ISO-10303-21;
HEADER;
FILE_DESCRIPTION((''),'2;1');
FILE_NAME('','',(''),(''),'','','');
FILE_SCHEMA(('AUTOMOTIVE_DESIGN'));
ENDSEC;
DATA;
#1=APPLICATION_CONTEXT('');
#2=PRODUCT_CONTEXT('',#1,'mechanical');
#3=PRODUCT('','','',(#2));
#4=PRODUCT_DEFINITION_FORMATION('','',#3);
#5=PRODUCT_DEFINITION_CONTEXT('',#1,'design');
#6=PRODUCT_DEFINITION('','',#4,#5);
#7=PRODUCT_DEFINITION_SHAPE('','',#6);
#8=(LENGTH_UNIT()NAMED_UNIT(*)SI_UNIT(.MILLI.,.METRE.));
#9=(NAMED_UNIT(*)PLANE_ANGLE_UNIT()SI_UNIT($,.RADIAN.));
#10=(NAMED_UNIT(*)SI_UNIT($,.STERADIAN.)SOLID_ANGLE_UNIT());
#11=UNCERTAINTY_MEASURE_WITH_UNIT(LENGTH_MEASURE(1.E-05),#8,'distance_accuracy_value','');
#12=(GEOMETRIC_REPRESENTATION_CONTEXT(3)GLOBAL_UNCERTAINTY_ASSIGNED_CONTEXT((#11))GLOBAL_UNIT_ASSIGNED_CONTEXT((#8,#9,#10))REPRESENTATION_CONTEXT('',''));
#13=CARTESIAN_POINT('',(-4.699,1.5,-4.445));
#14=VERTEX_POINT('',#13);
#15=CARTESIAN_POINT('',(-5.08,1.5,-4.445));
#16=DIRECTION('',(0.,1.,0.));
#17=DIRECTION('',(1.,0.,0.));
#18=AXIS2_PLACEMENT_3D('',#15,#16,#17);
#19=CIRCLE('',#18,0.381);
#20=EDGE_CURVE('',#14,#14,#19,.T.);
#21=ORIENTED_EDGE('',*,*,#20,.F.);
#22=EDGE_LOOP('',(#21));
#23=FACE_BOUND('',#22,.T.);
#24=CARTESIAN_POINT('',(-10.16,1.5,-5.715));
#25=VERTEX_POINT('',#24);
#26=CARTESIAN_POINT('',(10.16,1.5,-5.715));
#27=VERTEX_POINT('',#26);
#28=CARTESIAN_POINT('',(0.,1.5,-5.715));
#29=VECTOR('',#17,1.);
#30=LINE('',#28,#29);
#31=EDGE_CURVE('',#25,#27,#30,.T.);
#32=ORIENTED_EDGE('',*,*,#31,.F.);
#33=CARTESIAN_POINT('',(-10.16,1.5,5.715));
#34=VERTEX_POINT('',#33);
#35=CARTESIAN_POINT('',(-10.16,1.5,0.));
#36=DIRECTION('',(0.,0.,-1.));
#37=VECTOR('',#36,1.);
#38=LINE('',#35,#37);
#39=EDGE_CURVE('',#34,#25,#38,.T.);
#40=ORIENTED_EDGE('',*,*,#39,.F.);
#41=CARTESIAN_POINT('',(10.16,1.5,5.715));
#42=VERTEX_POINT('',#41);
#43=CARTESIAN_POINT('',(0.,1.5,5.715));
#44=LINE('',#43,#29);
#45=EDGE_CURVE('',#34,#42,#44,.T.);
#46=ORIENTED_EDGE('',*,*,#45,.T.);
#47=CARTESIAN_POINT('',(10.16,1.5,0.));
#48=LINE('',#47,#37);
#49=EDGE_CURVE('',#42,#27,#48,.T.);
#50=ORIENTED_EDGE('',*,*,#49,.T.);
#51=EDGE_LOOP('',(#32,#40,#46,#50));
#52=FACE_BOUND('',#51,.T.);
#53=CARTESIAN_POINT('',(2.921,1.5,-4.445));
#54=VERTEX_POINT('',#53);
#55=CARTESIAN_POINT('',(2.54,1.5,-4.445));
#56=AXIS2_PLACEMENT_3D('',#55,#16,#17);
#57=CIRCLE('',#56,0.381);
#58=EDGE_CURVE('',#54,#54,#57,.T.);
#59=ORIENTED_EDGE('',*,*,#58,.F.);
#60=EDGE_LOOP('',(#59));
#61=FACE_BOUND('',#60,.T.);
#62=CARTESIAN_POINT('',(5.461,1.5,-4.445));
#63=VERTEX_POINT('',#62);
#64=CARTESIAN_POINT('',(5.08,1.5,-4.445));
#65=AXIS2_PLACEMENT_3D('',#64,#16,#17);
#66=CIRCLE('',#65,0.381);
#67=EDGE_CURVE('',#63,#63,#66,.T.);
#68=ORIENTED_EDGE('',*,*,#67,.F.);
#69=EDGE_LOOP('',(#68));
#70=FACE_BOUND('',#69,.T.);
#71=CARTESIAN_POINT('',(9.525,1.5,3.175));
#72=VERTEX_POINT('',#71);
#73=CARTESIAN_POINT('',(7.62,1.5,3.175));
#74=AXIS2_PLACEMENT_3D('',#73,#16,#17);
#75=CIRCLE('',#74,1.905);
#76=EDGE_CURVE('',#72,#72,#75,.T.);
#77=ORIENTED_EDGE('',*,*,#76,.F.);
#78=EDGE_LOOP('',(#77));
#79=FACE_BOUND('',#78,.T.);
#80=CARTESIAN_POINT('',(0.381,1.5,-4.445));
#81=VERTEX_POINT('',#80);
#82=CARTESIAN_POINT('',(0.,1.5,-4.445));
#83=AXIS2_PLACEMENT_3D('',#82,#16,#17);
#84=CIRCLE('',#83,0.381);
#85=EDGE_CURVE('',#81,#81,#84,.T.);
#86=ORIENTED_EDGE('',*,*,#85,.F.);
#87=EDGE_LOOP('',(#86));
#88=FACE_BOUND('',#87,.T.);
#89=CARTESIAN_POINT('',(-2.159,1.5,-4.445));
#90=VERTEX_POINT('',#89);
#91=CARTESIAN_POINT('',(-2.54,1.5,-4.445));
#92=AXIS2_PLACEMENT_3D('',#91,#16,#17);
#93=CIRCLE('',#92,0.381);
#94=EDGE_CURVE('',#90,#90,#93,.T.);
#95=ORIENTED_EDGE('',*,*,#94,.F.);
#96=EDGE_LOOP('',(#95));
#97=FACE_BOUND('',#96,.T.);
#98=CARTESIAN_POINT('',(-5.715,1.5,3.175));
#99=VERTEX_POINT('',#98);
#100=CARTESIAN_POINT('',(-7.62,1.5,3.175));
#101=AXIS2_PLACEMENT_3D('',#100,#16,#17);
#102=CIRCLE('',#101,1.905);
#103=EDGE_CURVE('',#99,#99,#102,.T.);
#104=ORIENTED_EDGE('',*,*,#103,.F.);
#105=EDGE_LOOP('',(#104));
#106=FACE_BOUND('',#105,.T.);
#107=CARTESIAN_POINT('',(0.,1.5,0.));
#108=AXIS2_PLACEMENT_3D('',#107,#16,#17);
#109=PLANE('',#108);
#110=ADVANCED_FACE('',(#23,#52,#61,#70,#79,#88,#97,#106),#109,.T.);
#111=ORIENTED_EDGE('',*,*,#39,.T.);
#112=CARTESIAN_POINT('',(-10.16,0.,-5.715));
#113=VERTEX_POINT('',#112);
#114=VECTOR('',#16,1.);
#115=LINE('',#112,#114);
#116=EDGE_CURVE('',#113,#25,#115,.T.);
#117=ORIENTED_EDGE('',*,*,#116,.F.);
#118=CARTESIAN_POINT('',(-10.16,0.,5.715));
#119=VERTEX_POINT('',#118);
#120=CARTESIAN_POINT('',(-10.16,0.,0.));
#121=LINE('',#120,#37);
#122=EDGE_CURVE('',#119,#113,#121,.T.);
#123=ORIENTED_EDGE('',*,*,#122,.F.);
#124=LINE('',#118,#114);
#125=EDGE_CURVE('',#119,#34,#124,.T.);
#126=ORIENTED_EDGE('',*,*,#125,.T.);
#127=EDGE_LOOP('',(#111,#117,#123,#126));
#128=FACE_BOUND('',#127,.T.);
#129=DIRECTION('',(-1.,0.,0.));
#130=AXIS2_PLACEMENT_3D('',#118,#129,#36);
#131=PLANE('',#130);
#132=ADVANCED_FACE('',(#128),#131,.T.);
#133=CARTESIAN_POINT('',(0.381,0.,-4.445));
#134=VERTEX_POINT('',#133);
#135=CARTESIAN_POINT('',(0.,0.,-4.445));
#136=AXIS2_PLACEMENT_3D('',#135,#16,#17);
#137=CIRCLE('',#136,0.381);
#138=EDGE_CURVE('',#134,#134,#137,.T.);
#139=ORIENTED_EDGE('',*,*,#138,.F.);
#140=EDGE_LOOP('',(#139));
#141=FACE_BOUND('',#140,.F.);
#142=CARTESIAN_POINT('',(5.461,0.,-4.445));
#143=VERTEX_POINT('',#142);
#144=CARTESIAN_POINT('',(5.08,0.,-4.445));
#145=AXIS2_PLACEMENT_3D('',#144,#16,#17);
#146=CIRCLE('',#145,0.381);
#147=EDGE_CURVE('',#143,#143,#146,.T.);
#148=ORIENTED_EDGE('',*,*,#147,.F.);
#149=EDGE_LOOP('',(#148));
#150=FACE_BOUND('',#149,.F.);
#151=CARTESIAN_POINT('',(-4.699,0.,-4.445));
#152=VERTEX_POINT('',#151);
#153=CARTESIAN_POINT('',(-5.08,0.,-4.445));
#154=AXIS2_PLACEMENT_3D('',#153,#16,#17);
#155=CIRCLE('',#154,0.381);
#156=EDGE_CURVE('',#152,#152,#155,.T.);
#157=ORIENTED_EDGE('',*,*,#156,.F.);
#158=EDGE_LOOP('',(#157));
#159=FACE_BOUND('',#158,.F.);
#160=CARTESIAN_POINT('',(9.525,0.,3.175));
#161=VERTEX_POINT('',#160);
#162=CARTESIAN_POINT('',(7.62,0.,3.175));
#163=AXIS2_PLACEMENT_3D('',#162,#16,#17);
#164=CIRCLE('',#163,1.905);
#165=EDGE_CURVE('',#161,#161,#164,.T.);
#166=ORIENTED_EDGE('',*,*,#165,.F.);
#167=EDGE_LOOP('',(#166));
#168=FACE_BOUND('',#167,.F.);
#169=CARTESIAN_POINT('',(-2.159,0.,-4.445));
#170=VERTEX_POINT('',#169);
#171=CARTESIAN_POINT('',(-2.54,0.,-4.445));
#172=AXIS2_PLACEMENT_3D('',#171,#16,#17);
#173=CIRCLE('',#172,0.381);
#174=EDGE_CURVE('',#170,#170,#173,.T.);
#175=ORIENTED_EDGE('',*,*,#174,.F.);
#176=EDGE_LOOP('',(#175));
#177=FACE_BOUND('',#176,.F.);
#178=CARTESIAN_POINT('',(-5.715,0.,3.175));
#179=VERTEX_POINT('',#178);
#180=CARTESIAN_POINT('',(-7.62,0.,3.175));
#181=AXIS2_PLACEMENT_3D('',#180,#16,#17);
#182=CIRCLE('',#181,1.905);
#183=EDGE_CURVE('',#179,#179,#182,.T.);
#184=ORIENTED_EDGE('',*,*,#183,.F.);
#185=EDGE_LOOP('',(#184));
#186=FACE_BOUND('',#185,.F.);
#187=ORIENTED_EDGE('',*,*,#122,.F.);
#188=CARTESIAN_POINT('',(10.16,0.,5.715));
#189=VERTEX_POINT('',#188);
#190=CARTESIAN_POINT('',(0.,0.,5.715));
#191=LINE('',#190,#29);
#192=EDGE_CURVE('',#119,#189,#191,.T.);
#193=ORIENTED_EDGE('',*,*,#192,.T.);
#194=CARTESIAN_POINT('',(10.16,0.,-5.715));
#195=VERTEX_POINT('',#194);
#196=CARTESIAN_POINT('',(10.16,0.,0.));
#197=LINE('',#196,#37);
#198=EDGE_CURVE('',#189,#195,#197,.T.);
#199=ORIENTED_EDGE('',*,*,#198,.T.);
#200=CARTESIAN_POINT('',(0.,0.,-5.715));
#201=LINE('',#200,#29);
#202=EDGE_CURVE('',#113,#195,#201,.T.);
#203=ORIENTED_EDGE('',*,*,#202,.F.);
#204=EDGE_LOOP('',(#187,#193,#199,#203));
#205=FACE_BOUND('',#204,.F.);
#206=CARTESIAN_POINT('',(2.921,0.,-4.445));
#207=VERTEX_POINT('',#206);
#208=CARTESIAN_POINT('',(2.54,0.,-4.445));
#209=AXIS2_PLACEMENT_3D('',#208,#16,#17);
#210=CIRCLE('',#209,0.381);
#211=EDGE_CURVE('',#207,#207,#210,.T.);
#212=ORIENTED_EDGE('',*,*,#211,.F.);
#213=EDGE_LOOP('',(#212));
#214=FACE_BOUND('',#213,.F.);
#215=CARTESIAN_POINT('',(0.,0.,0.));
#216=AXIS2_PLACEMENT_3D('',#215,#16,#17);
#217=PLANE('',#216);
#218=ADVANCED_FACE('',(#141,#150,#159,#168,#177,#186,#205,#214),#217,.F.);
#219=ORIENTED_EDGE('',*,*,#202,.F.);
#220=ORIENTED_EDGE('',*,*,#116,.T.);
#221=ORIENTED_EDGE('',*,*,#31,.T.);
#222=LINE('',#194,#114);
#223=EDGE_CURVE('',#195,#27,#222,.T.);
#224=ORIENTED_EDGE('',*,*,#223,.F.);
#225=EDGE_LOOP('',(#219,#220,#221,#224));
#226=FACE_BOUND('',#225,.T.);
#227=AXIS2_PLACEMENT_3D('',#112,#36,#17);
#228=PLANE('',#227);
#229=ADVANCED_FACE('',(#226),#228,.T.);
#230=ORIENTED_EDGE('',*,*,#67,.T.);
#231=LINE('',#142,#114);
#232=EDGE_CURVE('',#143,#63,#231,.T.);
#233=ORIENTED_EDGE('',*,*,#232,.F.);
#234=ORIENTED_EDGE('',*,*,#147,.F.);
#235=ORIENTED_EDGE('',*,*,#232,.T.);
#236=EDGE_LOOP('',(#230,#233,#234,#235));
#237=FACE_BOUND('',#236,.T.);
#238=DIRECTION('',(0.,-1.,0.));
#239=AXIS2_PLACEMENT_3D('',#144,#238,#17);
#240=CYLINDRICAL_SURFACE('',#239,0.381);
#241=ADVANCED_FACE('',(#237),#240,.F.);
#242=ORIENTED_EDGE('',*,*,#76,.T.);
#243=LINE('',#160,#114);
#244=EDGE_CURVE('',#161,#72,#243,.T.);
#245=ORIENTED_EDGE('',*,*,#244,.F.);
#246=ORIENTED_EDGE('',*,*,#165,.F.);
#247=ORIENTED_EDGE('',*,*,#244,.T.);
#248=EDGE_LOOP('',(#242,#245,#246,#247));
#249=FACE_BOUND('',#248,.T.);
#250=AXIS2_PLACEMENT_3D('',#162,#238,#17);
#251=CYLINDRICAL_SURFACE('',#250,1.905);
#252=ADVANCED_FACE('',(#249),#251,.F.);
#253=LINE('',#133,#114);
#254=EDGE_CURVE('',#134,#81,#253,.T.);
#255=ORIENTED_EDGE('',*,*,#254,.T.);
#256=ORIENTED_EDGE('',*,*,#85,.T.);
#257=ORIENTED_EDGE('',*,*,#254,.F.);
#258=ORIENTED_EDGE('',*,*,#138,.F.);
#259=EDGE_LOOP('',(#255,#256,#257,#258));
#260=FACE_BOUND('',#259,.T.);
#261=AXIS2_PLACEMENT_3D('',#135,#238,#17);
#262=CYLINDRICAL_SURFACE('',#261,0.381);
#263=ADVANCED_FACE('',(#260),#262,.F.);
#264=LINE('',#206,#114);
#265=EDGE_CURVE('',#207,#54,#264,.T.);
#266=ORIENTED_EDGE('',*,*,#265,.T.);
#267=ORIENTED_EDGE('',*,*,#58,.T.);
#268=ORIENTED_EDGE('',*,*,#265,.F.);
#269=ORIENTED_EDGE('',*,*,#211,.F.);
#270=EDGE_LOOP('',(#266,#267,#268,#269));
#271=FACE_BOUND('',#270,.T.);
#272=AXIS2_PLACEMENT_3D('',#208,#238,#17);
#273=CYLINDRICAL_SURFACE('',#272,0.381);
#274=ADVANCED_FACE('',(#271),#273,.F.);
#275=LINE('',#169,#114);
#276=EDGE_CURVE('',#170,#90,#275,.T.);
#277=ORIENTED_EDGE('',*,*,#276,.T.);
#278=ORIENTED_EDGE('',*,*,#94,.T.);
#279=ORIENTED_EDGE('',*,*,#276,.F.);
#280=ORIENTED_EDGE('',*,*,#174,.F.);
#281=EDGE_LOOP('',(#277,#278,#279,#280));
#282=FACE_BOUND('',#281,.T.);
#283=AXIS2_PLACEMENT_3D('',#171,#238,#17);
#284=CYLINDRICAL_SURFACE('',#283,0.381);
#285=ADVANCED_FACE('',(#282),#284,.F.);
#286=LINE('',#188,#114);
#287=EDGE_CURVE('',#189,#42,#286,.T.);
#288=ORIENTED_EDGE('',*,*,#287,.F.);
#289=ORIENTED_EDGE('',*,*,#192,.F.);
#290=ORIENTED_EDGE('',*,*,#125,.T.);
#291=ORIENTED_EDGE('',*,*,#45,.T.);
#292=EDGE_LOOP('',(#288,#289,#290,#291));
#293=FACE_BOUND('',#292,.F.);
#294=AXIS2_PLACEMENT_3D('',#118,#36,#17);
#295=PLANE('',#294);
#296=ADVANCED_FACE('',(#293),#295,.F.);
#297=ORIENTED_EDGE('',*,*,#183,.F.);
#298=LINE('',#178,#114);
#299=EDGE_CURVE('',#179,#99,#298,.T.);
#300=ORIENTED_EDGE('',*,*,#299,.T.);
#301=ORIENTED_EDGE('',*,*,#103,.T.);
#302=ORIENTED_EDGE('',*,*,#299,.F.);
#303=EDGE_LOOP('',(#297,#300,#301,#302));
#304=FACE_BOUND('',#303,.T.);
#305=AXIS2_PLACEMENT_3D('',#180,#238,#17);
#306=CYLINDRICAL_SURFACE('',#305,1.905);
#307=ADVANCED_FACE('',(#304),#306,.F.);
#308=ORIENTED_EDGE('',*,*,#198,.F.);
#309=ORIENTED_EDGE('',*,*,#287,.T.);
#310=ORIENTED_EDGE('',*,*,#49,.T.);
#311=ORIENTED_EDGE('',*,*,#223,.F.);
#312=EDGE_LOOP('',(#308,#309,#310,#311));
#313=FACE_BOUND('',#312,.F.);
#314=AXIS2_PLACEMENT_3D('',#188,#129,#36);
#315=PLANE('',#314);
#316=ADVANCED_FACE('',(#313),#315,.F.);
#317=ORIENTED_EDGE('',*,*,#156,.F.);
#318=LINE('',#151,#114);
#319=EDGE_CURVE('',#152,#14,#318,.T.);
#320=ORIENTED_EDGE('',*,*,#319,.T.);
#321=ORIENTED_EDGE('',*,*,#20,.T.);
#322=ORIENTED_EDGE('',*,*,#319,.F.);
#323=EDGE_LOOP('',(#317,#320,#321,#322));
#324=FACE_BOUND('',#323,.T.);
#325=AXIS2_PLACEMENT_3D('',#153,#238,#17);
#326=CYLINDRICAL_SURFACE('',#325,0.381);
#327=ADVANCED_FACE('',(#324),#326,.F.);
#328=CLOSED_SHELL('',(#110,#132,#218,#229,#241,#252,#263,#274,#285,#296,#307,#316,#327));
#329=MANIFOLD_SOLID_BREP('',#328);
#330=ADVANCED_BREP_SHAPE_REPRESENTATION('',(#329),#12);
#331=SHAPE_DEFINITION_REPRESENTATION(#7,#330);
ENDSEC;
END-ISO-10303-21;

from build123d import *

# Parameters (mm, degrees)
SKETCH_1_W      = 20.32
SKETCH_1_H      = 11.43
SKETCH_1_R      = 1.905
SKETCH_1_R_2    = 0.381
EXTRUDE_1_DEPTH = 1.5


with BuildPart() as part:
    # 스케치1 → 보스-돌출1 (new body)
    with BuildSketch(Plane(origin=(0, 0, 0), x_dir=(1, 0, 0), z_dir=(0, 1, 0))):
        Rectangle(SKETCH_1_W, SKETCH_1_H)
        with Locations((-7.62, -3.175)):
            Circle(SKETCH_1_R, mode=Mode.SUBTRACT)
        with Locations((7.62, -3.175)):
            Circle(SKETCH_1_R, mode=Mode.SUBTRACT)
        with Locations((5.08, 4.445)):
            Circle(SKETCH_1_R_2, mode=Mode.SUBTRACT)
        with Locations((2.54, 4.445)):
            Circle(SKETCH_1_R_2, mode=Mode.SUBTRACT)
        with Locations((-2.54, 4.445)):
            Circle(SKETCH_1_R_2, mode=Mode.SUBTRACT)
        with Locations((-5.08, 4.445)):
            Circle(SKETCH_1_R_2, mode=Mode.SUBTRACT)
        with Locations((0, 4.445)):
            Circle(SKETCH_1_R_2, mode=Mode.SUBTRACT)
    extrude(amount=EXTRUDE_1_DEPTH)


solid = part.part
